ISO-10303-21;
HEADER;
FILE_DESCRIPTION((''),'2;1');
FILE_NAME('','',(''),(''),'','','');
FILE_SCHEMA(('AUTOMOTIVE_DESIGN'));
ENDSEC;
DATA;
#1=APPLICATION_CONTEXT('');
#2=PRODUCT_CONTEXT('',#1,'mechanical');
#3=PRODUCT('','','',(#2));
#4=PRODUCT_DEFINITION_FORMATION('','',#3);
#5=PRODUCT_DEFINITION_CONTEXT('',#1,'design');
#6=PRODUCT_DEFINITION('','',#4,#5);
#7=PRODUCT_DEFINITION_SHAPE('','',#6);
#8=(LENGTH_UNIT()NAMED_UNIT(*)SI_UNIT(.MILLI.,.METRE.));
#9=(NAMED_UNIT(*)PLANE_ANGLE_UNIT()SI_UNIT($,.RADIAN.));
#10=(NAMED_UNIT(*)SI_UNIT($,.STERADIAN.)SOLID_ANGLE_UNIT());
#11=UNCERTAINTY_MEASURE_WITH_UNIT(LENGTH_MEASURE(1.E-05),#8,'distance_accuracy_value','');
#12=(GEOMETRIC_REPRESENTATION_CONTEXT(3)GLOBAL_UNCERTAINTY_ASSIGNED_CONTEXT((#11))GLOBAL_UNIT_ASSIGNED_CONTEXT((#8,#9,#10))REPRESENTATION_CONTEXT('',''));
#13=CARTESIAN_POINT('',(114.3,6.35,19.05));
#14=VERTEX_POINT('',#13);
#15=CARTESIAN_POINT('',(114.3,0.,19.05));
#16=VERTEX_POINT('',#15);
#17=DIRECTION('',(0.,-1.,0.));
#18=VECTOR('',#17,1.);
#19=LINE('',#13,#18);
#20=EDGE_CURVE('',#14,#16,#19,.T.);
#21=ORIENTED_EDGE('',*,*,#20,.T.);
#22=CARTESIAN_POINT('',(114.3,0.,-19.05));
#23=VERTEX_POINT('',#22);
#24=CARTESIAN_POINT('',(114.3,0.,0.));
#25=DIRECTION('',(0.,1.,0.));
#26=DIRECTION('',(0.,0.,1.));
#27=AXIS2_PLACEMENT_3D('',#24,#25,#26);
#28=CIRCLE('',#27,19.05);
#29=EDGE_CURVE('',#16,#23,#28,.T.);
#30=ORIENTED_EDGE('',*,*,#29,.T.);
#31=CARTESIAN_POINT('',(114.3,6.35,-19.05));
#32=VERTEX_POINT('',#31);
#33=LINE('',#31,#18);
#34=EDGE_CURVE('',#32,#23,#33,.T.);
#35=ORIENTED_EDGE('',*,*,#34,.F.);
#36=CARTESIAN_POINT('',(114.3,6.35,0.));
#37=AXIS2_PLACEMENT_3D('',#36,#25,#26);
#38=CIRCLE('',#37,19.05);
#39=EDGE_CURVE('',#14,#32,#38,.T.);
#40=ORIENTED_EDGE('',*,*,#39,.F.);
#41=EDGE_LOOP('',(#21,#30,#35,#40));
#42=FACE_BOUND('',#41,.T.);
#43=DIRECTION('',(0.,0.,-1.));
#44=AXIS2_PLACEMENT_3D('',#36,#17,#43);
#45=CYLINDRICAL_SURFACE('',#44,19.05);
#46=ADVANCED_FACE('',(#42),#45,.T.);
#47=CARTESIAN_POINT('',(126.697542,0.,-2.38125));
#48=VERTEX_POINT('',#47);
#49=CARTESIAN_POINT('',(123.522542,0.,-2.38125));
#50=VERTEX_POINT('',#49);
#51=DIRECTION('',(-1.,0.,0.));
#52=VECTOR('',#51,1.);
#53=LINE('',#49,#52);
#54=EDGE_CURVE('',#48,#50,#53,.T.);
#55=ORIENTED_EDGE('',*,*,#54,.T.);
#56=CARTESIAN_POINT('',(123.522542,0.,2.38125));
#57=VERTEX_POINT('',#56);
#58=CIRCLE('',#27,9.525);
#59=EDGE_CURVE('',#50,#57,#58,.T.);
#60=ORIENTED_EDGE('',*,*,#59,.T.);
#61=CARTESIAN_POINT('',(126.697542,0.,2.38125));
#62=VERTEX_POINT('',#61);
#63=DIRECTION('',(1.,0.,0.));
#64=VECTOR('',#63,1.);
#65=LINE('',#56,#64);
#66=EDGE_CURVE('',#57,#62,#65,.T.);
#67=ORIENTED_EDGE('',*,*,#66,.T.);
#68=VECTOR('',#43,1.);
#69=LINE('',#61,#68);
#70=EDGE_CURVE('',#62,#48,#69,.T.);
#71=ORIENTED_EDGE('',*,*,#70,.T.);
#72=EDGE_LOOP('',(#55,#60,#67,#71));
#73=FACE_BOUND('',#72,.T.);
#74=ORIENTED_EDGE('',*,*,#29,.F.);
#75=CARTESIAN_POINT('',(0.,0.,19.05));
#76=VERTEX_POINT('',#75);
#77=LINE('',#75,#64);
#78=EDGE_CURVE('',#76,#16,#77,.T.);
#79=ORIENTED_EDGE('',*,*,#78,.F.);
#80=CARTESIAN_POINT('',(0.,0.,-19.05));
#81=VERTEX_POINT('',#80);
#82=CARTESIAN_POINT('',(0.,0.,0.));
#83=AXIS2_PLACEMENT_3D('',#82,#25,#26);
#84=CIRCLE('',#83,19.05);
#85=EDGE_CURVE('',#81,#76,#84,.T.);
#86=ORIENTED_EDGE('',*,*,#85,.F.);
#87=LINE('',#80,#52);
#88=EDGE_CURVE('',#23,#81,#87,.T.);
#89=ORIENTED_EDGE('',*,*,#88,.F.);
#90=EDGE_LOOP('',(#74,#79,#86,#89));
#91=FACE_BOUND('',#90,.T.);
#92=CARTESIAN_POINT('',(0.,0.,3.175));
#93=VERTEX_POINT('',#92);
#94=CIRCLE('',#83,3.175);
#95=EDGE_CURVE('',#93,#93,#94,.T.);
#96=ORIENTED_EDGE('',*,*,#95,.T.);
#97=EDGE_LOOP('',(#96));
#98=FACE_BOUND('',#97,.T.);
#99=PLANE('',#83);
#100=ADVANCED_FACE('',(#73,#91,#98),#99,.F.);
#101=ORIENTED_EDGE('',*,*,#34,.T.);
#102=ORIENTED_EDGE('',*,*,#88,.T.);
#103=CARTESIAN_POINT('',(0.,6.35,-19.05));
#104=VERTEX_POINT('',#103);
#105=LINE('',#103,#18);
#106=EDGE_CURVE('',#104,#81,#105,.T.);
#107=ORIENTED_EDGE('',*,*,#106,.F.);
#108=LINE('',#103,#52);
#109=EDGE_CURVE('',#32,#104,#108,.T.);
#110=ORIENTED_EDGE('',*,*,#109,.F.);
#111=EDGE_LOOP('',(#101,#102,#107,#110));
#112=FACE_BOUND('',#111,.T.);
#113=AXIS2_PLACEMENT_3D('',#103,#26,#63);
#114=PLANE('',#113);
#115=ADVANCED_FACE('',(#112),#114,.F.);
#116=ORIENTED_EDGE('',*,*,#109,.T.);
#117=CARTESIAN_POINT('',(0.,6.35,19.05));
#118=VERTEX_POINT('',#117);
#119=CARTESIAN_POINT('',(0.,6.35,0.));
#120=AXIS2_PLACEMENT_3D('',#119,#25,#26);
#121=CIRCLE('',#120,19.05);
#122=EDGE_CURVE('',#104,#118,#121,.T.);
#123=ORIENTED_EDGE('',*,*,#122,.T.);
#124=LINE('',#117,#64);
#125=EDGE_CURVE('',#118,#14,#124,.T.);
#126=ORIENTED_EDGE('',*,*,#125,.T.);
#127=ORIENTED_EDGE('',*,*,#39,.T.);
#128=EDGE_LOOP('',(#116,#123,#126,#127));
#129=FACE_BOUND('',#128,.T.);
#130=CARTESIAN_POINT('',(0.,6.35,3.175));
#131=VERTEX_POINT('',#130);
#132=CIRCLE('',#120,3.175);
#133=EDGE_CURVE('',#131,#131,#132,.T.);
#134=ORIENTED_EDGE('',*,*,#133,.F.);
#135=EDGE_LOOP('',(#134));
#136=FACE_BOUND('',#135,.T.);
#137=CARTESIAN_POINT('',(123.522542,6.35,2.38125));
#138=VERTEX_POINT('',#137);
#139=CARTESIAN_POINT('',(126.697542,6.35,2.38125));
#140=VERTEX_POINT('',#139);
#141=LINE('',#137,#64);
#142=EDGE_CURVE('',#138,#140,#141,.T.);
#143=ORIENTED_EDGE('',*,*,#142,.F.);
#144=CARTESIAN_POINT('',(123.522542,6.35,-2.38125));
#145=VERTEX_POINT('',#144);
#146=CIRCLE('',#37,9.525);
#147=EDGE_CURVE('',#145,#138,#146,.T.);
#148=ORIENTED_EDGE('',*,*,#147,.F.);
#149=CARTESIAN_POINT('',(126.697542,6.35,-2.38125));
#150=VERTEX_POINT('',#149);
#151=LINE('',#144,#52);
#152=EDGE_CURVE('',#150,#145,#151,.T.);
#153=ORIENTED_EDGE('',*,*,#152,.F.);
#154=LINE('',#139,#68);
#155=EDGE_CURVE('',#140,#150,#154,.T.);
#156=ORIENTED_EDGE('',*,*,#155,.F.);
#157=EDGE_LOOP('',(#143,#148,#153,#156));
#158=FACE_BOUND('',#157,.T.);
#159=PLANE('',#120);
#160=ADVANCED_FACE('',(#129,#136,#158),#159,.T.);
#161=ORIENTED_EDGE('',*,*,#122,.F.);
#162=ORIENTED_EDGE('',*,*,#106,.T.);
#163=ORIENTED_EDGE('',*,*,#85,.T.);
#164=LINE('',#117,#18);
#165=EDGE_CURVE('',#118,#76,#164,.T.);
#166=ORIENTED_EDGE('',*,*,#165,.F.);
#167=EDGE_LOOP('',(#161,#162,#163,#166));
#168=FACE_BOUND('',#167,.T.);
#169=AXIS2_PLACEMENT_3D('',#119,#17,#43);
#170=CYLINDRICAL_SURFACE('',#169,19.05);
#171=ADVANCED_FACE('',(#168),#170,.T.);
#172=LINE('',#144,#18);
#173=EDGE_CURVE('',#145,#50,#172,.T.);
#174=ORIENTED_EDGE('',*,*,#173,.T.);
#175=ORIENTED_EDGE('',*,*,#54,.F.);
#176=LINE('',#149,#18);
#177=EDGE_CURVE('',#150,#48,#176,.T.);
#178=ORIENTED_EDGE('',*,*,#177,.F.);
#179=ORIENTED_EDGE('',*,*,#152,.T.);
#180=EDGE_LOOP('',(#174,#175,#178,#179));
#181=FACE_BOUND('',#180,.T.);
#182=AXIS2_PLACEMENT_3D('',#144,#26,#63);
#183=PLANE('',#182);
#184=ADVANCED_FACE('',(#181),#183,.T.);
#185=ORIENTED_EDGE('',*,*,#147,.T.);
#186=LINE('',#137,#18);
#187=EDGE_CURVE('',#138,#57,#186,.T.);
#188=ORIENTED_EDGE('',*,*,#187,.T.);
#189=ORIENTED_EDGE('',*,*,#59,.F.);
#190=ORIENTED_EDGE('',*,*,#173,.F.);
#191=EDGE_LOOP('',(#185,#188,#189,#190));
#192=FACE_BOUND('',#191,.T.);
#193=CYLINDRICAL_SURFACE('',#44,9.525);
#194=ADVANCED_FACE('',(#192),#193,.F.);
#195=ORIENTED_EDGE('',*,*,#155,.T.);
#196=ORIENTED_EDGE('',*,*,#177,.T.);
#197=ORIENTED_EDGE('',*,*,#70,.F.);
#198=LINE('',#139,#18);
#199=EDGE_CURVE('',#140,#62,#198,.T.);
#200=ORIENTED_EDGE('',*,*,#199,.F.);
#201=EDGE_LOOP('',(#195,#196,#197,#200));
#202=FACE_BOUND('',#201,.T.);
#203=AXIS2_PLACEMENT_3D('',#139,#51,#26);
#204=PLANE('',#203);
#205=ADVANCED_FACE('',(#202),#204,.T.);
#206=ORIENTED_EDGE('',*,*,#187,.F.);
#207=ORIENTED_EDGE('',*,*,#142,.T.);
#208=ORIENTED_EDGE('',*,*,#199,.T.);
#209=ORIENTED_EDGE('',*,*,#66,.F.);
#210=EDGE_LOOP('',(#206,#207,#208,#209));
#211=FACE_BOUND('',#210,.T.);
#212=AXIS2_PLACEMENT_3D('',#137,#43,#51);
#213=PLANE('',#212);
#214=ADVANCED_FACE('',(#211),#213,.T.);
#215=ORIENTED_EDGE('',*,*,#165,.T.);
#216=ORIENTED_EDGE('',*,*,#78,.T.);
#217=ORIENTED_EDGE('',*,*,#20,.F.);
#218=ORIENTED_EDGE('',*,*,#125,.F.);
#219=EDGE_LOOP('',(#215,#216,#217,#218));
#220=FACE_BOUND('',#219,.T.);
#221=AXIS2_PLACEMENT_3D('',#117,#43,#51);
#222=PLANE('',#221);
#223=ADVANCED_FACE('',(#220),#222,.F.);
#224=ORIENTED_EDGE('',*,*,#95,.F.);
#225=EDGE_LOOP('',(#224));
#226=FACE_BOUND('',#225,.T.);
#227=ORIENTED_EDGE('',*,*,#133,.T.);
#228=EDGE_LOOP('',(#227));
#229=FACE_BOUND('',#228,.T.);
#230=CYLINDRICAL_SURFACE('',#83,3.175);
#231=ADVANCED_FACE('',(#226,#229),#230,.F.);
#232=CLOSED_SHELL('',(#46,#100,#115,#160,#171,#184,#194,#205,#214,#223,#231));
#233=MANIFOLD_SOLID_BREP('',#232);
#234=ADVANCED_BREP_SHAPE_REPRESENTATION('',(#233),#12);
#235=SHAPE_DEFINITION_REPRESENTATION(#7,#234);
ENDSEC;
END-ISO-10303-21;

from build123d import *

# Parameters (mm, degrees)
BOSS_EXTRUDE1_DEPTH = 6.35
SKETCH3_R           = 3.175
CUT_EXTRUDE1_DEPTH  = 7.35


with BuildPart() as part:
    # Sketch1 → Boss-Extrude1 (new body)
    with BuildSketch(Plane(origin=(0, 0, 0), x_dir=(1, 0, 0), z_dir=(0, 1, 0))):
        with BuildLine():
            Line((0, 19.05), (114.3, 19.05))
            ThreePointArc((114.3, 19.05), (133.35, 0), (114.3, -19.05))
            Line((114.3, -19.05), (0, -19.05))
            ThreePointArc((0, -19.05), (-19.05, 0), (0, 19.05))
        make_face()
        with BuildLine():
            Line((123.522541593, -2.38125), (126.697541593, -2.38125))
            Line((126.697541593, -2.38125), (126.697541593, 2.38125))
            Line((126.697541593, 2.38125), (123.522541593, 2.38125))
            ThreePointArc((123.522541593, 2.38125), (104.775, 0), (123.522541593, -2.38125))
        make_face(mode=Mode.SUBTRACT)
    extrude(amount=BOSS_EXTRUDE1_DEPTH)

    # Sketch3 → Cut-Extrude1 (cut, through all)
    with BuildSketch(Plane(origin=(0, 6.35, 0), x_dir=(1, 0, 0), z_dir=(0, 1, 0))):
        Circle(SKETCH3_R)
    extrude(amount=-CUT_EXTRUDE1_DEPTH, mode=Mode.SUBTRACT)


solid = part.part
